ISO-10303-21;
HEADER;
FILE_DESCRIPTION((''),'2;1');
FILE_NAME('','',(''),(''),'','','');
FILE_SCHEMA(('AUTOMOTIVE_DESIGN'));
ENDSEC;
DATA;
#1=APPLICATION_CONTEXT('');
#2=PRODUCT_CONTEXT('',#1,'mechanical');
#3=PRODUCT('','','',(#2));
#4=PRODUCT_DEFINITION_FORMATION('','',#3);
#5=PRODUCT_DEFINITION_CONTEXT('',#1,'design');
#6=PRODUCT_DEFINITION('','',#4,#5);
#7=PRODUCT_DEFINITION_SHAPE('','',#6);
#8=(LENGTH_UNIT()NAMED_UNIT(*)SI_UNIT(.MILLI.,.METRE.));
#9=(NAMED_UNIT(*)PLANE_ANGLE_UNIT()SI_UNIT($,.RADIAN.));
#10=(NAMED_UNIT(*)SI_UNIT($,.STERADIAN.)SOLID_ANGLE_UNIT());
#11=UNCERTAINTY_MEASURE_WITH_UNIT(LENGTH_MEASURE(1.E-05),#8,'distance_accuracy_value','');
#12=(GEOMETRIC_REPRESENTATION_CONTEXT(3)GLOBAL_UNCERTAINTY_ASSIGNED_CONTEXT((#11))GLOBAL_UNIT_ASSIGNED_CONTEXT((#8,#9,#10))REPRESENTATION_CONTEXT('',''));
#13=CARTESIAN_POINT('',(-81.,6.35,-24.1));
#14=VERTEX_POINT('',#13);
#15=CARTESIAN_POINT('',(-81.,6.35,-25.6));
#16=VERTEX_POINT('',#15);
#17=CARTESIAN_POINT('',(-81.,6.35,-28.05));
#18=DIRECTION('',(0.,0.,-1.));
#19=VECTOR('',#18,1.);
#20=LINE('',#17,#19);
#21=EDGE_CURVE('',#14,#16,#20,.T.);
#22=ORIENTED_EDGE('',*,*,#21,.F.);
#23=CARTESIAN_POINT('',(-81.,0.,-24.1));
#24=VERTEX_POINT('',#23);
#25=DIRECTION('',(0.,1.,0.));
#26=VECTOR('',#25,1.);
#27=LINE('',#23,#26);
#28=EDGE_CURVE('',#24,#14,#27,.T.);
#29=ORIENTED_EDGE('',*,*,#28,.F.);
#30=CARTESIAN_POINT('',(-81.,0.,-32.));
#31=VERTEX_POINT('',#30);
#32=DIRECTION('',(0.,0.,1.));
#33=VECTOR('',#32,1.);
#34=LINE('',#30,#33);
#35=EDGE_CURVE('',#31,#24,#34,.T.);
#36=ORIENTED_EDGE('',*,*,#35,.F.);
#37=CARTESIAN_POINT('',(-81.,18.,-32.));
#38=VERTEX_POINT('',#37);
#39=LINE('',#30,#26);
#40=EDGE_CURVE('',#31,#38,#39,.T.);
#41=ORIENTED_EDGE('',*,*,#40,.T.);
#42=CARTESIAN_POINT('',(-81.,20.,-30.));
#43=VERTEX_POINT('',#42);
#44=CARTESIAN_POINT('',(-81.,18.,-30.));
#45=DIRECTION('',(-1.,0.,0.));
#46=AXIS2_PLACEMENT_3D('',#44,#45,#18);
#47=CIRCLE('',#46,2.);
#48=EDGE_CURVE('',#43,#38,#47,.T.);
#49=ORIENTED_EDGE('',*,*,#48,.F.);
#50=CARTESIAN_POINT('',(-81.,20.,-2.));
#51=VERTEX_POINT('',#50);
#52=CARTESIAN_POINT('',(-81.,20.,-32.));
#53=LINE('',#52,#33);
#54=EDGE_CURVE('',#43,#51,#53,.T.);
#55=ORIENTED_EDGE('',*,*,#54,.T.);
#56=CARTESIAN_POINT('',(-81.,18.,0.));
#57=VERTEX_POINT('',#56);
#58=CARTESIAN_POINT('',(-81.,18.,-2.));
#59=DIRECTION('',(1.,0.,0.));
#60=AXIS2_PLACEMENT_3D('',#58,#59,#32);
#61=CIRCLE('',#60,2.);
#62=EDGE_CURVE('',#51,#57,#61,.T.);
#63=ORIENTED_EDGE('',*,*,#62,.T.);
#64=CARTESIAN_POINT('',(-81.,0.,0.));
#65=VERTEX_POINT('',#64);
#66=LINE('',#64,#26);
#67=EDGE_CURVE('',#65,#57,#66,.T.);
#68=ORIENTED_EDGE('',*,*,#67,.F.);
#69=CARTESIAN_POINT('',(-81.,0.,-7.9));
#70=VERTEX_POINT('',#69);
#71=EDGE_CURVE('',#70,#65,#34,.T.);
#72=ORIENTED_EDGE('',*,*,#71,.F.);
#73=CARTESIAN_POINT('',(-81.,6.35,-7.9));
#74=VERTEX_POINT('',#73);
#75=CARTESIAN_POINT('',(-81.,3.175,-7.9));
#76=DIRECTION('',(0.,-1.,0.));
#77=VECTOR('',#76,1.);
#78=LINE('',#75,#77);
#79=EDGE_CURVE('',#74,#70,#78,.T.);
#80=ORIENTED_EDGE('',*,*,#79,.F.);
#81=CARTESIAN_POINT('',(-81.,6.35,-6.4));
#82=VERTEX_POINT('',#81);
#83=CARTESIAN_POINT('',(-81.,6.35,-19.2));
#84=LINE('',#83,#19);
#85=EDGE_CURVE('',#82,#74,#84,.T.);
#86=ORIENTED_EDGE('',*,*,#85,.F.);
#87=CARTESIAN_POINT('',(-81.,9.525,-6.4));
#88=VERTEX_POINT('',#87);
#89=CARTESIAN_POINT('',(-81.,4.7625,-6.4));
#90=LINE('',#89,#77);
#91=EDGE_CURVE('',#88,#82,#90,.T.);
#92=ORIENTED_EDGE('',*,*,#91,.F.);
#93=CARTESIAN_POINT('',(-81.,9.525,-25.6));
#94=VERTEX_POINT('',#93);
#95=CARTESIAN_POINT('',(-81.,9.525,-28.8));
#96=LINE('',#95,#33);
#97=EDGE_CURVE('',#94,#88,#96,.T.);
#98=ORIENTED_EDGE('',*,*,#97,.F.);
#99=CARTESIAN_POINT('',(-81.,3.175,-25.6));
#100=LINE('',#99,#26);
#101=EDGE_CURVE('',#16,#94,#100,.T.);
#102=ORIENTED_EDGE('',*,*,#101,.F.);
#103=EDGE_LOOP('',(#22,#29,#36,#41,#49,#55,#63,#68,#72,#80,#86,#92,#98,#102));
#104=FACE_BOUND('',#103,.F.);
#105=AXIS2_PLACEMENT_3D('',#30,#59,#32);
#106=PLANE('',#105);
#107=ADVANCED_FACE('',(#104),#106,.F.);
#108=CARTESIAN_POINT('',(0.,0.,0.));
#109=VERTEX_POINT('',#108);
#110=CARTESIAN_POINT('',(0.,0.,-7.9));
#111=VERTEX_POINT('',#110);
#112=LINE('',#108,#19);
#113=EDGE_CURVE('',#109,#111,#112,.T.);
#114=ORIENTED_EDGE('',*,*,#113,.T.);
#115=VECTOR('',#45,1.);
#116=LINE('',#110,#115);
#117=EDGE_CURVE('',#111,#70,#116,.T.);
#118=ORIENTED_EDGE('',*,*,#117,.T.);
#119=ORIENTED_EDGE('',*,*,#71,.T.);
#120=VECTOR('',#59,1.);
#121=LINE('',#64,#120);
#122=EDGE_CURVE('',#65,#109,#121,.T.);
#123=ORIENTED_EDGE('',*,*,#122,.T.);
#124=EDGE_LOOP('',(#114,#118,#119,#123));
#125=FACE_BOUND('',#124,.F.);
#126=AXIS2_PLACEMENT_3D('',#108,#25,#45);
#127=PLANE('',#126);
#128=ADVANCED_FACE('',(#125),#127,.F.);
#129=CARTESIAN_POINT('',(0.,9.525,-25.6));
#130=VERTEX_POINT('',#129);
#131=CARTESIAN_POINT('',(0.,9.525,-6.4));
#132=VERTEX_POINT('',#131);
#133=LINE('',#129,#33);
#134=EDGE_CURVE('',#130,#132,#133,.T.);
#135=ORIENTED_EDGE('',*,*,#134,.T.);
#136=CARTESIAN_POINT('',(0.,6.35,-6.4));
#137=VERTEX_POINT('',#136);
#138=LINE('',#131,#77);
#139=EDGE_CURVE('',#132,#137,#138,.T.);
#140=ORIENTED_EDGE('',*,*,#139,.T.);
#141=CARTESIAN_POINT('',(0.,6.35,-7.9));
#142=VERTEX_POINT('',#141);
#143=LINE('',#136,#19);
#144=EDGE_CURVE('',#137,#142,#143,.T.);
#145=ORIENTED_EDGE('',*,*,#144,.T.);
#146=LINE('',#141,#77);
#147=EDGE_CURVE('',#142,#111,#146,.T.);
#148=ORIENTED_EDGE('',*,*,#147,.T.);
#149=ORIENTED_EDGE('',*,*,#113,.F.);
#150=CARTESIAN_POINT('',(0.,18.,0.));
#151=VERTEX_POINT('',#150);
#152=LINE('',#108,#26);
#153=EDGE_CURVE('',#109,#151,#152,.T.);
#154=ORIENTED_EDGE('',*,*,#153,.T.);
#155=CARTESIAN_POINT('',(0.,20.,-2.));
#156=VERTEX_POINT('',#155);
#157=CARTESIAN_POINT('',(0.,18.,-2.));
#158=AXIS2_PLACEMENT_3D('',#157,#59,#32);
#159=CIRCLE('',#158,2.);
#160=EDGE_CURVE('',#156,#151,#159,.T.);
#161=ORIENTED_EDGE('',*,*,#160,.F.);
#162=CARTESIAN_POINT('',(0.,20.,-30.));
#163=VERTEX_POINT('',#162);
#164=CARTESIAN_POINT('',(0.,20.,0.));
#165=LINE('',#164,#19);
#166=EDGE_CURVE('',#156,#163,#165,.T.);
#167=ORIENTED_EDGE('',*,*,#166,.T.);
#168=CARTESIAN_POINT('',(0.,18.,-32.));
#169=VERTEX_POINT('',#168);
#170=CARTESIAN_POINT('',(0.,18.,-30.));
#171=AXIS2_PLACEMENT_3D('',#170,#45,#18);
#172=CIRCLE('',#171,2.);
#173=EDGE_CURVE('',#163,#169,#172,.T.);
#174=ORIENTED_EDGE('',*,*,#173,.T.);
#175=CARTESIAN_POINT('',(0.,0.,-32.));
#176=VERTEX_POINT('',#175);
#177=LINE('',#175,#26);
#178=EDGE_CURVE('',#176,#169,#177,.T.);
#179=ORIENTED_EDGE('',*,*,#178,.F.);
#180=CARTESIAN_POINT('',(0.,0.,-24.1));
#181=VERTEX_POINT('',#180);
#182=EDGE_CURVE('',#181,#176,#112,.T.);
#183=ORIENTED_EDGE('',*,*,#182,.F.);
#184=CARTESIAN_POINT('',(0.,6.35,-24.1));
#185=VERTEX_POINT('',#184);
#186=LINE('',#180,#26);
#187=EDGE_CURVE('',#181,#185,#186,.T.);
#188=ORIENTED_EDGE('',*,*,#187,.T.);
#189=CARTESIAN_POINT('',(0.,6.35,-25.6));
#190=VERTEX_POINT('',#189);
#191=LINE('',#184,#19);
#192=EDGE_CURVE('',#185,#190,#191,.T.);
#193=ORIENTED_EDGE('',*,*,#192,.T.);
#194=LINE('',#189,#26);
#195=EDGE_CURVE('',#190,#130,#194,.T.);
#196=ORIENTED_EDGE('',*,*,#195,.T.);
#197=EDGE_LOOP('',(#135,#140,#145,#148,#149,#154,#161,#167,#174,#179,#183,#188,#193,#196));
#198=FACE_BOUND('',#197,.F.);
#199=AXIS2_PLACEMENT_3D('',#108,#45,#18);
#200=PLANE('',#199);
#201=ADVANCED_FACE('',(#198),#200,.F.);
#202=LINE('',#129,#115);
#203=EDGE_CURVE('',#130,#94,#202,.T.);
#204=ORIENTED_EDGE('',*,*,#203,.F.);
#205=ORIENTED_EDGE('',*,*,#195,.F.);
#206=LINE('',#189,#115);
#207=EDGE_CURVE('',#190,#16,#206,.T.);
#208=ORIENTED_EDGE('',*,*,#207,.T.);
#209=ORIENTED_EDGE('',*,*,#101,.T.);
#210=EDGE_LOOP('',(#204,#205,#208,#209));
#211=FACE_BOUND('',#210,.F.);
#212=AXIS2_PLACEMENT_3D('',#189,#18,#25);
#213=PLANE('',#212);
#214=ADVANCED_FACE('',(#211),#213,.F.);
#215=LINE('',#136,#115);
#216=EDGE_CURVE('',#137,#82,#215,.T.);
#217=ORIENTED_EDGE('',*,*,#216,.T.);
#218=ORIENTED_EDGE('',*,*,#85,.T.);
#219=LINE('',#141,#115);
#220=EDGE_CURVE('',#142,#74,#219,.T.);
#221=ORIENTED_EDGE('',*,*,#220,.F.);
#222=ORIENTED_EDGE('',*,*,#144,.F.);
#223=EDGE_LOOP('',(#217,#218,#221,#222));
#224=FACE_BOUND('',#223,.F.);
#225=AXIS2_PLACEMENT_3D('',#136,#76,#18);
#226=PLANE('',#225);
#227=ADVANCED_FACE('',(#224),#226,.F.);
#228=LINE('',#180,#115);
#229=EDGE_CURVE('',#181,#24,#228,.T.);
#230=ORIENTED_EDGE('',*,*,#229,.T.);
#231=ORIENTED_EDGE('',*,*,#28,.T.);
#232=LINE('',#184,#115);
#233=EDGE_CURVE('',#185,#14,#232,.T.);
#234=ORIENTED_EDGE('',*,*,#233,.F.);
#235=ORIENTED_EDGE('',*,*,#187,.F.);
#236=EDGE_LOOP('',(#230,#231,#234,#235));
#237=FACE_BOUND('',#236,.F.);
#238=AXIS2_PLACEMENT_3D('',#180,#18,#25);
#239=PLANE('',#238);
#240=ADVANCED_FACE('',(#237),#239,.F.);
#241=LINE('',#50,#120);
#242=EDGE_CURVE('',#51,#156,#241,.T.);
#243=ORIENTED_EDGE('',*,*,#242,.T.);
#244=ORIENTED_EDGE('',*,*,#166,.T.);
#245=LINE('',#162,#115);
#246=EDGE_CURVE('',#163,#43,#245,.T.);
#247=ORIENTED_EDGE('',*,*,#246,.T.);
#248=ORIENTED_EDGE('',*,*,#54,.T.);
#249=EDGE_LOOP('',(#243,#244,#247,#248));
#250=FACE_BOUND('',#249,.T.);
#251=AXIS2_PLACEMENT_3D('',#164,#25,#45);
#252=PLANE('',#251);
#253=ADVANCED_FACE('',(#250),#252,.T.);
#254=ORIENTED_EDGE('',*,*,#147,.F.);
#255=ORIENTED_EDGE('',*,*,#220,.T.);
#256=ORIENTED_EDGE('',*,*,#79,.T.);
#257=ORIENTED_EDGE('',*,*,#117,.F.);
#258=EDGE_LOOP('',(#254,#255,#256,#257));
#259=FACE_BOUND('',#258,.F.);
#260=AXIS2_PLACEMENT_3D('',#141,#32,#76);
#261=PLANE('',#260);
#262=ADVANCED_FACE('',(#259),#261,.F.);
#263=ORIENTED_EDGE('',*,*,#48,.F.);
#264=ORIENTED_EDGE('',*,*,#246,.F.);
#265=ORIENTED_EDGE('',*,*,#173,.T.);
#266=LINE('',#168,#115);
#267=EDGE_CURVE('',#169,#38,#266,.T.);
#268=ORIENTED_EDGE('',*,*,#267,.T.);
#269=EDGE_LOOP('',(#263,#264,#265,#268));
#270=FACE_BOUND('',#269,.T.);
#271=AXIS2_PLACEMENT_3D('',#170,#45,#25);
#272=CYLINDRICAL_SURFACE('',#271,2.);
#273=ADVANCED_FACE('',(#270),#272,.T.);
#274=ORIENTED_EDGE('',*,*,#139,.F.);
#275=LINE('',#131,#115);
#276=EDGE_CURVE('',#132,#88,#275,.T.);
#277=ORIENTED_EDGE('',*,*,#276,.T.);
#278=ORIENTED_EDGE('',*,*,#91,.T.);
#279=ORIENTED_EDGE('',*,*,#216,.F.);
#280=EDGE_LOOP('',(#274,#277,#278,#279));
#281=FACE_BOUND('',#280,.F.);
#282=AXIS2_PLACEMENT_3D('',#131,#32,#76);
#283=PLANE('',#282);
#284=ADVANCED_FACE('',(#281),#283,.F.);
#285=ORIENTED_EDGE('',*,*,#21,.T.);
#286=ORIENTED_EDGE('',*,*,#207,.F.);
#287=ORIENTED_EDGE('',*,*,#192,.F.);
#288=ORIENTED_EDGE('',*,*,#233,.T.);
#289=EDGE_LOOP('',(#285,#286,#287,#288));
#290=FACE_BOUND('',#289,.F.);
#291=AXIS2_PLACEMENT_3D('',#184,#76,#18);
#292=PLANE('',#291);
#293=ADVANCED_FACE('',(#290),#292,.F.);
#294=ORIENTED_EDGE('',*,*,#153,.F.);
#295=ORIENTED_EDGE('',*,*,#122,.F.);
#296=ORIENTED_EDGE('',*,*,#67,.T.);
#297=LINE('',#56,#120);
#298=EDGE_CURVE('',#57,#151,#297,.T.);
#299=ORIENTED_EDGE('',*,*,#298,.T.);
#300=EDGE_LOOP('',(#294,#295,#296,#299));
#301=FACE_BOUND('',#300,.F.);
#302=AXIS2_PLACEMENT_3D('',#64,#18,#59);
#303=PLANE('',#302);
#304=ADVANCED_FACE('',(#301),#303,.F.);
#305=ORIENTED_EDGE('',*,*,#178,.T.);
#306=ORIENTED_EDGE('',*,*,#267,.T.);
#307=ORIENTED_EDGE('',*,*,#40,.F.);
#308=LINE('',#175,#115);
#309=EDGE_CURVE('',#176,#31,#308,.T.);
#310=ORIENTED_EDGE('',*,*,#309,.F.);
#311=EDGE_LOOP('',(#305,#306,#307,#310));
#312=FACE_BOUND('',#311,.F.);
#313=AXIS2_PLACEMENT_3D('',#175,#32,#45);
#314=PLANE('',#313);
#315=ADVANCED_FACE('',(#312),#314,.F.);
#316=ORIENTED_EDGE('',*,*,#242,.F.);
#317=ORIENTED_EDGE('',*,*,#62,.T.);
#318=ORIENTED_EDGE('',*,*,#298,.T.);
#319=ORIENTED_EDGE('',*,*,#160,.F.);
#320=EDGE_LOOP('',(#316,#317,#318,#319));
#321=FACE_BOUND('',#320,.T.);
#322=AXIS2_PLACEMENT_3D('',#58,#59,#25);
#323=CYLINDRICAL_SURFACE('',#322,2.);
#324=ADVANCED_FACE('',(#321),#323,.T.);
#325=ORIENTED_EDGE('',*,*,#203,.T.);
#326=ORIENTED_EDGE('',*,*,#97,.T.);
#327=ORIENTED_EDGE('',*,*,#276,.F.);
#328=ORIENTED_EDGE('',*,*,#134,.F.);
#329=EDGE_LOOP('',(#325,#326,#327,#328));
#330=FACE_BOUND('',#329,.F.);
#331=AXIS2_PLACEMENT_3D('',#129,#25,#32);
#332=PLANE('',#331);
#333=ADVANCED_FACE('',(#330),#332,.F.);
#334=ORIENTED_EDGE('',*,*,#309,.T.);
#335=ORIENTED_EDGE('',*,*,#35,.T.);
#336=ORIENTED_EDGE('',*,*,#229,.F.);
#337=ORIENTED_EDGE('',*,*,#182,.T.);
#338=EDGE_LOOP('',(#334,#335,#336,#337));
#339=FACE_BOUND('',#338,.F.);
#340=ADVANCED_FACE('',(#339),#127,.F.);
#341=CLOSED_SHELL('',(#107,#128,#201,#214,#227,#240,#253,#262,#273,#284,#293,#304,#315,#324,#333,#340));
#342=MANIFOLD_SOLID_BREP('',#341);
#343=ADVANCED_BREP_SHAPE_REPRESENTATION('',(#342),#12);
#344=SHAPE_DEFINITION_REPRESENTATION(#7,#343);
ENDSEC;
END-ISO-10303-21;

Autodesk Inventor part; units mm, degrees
ref_plane "YZ Plane" through (0, 0, 0) normal (1, 0, 0) x (0, 1, 0)
ref_plane "XZ Plane" through (0, 0, 0) normal (0, 1, 0) x (-1, 0, 0)
ref_plane "XY Plane" through (0, 0, 0) normal (0, 0, 1) x (1, 0, 0)
sketch "Sketch1" plane through (0, 0, 0) normal (0, 1, 0) x (-1, 0, 0)
  line L0 (81, 0) -> (0, 0)
  line L1 (0, 0) -> (0, -32)
  line L2 (0, -32) -> (81, -32)
  line L3 (81, -32) -> (81, 0)
  point P0 (0, -16)
  point P1 (40.5, 0)
  dimension "d0" = 81
  dimension "d1" = 32
extrude "Extrusion1" add sketch "Sketch1" along normal blind 20
sketch "Sketch2" plane through (0, 0, 0) normal (1, 0, 0) x (0, 0, -1)
  line L0 (0, 0) -> (32, 0) projected
  line L1 (24.1, 0) -> (24.1, 6.35)
  line L2 (24.1, 6.35) -> (25.6, 6.35)
  line L3 (25.6, 6.35) -> (25.6, 9.525)
  line L4 (25.6, 9.525) -> (6.4, 9.525)
  line L5 (6.4, 9.525) -> (6.4, 6.35)
  line L6 (6.4, 6.35) -> (7.9, 6.35)
  line L7 (7.9, 6.35) -> (7.9, 0)
  line L8 (24.1, 0) -> (7.9, 0)
  line L9 (32, 0) -> (32, 20) projected
  line L10 (0, 0) -> (0, 20) projected
  dimension "d4" = 3.175
  dimension "d5" = 6.35
  dimension "d6" = 19.2
  dimension "d7" = 16.2
  dimension "d8" = 6.4
  dimension "d17" = 7.9
  dimension "d18" = 32
extrude "Extrusion2" cut sketch "Sketch2" against normal blind 103.1875
fillet "Fillet1" radius 2 1 edges at (-40.5, 20, -32)
fillet "Fillet2" radius 2 1 edges at (-40.5, 20, 0)
equation "\"d8\" = -0.5 * d6 + 0.5 * d18"
equation "\"d17\" = -0.5 * d7 + 0.5 * d18"
properties part number "rail holder"
